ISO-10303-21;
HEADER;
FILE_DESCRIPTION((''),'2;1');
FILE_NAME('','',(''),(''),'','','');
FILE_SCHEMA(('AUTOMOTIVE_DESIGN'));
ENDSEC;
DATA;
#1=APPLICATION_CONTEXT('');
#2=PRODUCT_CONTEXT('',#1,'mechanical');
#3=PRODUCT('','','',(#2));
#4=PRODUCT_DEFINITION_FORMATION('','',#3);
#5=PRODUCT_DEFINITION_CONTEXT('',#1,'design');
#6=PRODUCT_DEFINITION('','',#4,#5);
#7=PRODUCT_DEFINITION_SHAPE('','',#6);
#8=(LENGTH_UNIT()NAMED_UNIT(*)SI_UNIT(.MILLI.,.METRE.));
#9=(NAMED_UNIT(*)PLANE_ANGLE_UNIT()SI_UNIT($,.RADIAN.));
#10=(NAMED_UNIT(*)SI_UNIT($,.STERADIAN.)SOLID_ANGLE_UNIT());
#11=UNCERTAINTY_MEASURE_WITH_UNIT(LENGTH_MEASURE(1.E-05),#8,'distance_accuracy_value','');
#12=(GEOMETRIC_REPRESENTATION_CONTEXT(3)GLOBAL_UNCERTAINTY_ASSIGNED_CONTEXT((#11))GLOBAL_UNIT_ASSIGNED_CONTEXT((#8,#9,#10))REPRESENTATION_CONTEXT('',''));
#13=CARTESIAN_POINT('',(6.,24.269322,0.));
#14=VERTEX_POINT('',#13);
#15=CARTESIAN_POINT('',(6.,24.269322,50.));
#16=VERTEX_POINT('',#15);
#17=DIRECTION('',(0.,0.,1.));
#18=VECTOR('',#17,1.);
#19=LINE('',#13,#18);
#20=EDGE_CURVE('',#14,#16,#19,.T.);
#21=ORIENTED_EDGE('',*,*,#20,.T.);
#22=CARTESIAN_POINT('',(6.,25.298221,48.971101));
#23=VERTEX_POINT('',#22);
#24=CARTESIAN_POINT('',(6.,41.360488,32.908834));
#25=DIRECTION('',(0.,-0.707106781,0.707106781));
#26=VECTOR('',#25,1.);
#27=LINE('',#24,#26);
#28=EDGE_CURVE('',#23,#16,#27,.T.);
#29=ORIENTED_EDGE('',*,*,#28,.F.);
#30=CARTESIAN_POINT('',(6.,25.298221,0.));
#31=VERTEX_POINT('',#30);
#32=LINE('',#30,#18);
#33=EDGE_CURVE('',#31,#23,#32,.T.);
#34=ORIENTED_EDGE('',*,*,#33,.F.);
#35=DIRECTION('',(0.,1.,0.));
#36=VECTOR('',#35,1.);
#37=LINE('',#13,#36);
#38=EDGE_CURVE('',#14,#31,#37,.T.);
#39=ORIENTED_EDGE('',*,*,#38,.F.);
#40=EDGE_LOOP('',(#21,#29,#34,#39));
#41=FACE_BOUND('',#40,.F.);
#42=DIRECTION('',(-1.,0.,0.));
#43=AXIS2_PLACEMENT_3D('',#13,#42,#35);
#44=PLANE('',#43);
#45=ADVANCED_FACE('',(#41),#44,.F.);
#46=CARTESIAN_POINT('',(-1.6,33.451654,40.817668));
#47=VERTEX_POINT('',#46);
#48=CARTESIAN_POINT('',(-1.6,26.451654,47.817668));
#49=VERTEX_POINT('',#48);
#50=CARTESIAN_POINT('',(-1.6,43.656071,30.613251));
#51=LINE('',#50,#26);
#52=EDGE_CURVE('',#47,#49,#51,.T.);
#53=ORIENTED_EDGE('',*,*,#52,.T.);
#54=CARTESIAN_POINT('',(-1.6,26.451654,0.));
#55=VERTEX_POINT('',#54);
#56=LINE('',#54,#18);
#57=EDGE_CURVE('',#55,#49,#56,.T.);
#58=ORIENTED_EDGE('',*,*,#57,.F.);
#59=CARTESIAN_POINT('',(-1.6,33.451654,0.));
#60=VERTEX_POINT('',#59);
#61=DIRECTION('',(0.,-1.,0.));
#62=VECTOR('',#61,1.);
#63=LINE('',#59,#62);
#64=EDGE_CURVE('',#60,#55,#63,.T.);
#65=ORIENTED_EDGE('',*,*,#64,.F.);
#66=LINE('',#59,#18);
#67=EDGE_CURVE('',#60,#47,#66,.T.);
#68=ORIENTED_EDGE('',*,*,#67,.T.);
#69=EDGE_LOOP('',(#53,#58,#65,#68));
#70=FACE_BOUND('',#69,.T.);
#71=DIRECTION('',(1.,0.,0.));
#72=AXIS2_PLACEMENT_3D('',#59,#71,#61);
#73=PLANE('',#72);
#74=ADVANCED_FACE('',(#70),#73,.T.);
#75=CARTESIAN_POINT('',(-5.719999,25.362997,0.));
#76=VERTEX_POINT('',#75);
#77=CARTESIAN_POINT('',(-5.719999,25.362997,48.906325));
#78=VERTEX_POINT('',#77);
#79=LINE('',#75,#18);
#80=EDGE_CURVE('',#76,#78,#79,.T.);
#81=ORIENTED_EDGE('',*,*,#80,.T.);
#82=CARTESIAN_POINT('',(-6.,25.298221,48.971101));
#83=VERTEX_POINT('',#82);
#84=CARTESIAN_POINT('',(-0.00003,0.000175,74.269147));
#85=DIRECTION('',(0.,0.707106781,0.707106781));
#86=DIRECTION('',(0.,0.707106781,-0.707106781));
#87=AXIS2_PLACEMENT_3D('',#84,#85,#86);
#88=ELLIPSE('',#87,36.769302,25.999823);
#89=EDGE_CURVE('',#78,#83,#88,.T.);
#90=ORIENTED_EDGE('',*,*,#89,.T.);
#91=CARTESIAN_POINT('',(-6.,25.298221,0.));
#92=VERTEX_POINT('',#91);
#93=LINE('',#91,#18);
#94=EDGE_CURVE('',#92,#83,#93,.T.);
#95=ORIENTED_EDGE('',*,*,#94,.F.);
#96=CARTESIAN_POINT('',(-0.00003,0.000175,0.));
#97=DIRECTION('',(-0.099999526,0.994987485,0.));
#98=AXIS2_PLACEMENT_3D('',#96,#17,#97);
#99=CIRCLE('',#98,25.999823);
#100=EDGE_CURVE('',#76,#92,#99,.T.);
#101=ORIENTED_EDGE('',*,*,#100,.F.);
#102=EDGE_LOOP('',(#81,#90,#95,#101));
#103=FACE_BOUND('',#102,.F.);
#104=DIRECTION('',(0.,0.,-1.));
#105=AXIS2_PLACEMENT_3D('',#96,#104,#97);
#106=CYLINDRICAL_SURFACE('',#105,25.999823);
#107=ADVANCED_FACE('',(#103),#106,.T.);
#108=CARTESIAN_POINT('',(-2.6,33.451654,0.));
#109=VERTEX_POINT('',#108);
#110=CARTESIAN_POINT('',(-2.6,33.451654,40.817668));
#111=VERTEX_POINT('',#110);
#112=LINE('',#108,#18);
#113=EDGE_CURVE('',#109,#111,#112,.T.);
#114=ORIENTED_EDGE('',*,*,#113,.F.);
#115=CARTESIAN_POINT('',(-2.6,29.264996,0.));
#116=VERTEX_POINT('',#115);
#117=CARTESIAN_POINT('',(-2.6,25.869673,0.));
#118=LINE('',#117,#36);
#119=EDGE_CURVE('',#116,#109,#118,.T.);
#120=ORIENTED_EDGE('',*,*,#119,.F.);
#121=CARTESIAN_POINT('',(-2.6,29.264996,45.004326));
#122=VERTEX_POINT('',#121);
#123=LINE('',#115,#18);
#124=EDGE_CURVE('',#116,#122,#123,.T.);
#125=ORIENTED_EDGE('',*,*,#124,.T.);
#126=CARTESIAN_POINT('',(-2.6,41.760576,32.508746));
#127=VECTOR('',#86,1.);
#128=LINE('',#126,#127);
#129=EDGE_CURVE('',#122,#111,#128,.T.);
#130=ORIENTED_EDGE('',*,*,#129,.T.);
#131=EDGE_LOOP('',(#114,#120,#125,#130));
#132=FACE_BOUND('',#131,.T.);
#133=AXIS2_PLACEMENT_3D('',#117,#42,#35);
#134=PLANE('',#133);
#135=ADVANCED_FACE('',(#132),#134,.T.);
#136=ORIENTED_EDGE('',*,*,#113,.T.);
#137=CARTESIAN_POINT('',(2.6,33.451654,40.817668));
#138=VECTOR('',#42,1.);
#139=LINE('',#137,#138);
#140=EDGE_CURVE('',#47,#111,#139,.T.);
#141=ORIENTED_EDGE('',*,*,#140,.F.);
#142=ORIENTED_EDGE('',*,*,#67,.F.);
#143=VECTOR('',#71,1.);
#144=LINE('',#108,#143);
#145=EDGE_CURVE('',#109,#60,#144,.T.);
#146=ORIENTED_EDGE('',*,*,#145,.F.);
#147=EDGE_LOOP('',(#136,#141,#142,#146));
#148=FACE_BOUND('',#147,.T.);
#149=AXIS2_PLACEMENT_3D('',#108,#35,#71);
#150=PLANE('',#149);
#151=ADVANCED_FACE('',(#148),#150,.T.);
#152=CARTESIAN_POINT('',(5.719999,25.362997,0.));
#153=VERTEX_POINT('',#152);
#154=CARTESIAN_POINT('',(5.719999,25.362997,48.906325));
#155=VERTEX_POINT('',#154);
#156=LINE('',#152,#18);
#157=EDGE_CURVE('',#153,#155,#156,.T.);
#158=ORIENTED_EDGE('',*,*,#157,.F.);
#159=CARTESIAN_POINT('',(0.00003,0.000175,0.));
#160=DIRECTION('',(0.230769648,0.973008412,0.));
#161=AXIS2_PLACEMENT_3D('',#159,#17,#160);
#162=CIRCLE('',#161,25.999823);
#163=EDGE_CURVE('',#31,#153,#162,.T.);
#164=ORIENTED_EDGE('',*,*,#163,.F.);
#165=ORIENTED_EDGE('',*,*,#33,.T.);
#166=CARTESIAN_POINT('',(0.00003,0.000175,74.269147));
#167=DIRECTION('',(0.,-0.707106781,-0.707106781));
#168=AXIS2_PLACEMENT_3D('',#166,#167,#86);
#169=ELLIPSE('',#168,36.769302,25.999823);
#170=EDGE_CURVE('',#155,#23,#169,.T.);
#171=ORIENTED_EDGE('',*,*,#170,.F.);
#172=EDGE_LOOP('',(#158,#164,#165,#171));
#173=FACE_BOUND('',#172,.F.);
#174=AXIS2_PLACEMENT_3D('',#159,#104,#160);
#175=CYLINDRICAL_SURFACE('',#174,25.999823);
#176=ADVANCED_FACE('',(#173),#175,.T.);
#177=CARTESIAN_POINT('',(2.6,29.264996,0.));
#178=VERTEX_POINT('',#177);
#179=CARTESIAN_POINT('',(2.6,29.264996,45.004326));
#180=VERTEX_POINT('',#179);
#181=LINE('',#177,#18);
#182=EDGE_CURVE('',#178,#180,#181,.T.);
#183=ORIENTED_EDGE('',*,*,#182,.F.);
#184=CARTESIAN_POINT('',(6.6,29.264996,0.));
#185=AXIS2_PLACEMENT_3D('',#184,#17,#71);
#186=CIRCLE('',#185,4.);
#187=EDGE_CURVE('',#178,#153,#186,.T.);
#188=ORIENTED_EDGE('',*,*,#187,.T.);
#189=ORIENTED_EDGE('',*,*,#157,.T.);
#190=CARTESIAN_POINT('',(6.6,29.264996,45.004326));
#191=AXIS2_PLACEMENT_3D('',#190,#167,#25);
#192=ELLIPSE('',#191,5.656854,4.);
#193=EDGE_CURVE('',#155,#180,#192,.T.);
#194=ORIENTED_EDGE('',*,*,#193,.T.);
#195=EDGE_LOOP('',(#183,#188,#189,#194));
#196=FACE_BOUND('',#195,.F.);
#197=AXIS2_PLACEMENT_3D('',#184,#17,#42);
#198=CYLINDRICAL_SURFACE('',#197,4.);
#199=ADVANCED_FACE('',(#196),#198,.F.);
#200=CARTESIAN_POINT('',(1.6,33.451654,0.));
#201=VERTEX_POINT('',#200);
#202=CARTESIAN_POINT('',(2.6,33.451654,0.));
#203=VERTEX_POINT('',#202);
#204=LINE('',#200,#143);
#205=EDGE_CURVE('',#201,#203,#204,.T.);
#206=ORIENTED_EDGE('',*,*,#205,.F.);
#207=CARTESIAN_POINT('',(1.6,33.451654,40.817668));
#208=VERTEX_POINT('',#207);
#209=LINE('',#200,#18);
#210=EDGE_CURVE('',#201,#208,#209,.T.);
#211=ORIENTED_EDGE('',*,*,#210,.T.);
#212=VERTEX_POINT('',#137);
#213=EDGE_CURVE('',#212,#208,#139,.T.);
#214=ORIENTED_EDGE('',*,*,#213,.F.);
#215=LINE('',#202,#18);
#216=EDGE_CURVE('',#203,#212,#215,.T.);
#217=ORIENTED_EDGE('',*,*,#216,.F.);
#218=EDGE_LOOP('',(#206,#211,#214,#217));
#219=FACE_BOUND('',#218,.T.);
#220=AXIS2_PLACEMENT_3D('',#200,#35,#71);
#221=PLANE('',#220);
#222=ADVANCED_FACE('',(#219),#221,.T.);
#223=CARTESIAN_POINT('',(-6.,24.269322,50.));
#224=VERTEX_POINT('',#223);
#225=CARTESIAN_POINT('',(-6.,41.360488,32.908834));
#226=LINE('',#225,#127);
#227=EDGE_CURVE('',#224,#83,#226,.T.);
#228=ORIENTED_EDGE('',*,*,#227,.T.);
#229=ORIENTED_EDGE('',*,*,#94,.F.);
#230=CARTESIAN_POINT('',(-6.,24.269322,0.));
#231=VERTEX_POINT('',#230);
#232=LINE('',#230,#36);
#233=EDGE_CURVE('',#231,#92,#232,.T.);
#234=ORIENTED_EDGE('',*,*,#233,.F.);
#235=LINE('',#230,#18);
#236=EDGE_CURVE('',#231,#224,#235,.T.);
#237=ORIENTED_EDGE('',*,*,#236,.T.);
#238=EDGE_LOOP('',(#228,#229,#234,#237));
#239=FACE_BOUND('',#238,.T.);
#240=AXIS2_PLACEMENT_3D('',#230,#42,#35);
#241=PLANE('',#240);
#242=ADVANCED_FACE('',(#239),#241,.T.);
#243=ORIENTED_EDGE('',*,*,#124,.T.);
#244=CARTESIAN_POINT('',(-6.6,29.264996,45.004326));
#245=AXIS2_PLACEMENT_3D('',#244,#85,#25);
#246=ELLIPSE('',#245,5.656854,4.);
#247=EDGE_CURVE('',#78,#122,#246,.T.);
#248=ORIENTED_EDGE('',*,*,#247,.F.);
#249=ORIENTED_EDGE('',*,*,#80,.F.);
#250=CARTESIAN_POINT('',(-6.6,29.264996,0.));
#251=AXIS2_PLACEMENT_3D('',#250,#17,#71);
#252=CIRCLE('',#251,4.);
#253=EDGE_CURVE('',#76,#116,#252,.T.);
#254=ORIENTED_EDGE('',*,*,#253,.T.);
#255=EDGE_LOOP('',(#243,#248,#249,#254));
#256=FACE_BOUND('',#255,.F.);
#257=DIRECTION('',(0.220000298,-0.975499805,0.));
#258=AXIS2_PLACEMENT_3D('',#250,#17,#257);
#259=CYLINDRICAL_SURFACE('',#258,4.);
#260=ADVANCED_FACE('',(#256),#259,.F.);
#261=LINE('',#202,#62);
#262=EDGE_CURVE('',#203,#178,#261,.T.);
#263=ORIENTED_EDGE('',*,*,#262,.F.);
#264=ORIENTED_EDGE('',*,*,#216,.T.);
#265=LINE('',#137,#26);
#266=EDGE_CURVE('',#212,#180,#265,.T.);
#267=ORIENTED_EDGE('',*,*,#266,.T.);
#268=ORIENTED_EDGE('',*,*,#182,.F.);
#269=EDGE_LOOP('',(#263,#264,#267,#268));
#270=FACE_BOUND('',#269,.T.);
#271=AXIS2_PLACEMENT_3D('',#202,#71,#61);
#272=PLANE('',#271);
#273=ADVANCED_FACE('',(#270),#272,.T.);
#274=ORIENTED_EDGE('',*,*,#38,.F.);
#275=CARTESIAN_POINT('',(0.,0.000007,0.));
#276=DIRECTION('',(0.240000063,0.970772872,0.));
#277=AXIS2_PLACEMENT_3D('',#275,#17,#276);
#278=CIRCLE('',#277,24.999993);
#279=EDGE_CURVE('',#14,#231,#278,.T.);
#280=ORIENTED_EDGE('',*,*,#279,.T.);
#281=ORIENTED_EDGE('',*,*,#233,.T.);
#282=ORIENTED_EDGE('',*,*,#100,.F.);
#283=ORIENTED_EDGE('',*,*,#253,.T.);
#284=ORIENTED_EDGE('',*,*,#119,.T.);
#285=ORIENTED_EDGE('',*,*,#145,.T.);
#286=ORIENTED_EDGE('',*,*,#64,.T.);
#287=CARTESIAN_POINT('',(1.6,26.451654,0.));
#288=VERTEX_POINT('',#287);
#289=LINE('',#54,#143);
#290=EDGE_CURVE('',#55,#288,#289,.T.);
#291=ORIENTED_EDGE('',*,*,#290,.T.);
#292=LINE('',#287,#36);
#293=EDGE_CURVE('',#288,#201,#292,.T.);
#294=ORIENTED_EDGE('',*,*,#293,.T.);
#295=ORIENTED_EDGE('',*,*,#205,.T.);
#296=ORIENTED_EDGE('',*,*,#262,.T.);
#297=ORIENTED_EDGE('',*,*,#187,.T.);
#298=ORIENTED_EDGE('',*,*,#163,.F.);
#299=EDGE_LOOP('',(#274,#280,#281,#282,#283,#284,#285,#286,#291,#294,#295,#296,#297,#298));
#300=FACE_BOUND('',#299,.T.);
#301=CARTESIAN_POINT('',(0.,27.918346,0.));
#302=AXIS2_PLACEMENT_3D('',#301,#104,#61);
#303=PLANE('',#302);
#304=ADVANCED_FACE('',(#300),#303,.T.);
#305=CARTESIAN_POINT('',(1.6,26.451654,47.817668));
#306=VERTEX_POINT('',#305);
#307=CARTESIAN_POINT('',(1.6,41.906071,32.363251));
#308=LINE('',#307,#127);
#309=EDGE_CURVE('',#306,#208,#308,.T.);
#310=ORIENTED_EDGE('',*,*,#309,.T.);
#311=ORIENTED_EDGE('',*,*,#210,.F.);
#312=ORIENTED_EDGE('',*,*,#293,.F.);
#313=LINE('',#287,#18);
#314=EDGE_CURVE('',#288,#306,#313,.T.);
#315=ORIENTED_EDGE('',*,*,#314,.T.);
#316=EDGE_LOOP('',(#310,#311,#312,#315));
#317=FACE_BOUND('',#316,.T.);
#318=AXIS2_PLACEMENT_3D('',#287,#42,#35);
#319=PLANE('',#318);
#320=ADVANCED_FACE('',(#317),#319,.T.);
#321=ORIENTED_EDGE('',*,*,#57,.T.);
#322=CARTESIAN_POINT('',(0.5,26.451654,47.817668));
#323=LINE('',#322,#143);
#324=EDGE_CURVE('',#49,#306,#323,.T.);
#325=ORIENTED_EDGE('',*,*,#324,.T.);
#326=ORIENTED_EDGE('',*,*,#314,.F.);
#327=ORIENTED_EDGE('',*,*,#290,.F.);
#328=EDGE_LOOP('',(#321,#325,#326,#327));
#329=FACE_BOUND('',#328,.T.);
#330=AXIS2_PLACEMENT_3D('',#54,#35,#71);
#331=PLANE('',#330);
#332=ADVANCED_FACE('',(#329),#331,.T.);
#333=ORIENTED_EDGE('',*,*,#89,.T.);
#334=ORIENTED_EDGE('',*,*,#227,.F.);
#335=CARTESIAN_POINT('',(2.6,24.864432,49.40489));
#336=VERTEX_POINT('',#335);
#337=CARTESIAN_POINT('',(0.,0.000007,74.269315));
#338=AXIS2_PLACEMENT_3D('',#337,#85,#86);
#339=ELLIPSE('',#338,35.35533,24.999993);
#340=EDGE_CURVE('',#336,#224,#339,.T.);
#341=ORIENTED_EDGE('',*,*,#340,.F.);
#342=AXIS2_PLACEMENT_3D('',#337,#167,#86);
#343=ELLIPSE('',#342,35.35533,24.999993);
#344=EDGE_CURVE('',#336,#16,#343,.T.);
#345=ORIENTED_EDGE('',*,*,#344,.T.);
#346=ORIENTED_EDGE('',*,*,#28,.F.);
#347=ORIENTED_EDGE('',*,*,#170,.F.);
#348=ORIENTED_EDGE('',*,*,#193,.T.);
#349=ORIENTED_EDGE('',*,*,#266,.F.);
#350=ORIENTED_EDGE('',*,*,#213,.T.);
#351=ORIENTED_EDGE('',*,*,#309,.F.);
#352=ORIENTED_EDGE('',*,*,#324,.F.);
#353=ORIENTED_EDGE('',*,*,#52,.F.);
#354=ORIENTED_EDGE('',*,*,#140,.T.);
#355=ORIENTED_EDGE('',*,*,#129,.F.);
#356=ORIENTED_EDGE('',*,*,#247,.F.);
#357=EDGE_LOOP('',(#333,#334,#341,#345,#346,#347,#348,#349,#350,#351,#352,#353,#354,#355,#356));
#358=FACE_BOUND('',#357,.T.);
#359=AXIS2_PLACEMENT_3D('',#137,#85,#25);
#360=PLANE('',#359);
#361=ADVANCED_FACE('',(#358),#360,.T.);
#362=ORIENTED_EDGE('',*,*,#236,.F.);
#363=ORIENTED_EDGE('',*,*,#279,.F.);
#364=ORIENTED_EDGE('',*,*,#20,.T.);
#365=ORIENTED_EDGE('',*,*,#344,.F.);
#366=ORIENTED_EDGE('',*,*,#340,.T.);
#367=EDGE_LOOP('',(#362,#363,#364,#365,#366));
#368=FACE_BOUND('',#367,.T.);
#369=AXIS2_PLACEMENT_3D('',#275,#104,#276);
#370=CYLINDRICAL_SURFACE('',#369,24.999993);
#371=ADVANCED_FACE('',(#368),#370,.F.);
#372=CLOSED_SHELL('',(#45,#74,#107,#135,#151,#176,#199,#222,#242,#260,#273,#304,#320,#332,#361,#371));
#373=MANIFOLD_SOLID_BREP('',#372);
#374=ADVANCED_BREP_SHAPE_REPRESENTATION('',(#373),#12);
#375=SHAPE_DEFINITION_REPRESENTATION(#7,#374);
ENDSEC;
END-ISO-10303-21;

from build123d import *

# Parameters (mm, degrees)
PAD002_DEPTH            = 50
FILLET001_R             = 4
POCKET001_DEPTH         = 8.601
POCKET001_DEPTH_BACK    = 3.401
BODY003_PLACEMENT_ANGLE = 90


with BuildPart() as part:
    # Sketch004 → Pad002 (new body)
    with BuildSketch(Plane.XY):
        with BuildLine():
            ThreePointArc((24.269322, -6), (25, 0), (24.269322, 6))
            Line((24.269322, 6), (25.298221, 6))
            ThreePointArc((25.869673, 2.6), (25.640366, 4.309482), (25.298221, 6))
            Line((25.869673, 2.6), (33.451654, 2.6))
            Line((33.451654, 2.6), (33.451654, 1.6))
            Line((33.451654, 1.6), (26.451654, 1.6))
            Line((26.451654, 1.6), (26.451654, -1.6))
            Line((26.451654, -1.6), (33.451654, -1.6))
            Line((33.451654, -1.6), (33.451654, -2.6))
            Line((33.451654, -2.6), (25.869673, -2.6))
            ThreePointArc((25.298221, -6), (25.640366, -4.309482), (25.869673, -2.6))
            Line((24.269322, -6), (25.298221, -6))
        make_face()
    extrude(amount=PAD002_DEPTH)

    # Fillet001
    fillet001_edges = [part.edges().sort_by_distance(p)[0] for p in [
        (25.869673, -2.6, 25),
        (25.869673, 2.6, 25),
    ]]
    fillet(fillet001_edges, radius=FILLET001_R)

    # Sketch005 (on Face15 of Fillet001) → Pocket001 (cut, two sides)
    with BuildSketch(Plane.XZ.offset(2.6)) as pocket001_sk:
        Polygon((33.451654, 50), (33.451654, 40.817668), (24.269322, 50), align=None)
    extrude(amount=-POCKET001_DEPTH, mode=Mode.SUBTRACT)
    extrude(pocket001_sk.sketch, amount=POCKET001_DEPTH_BACK, mode=Mode.SUBTRACT)


with BuildPart() as part_1:
    # Body003 placement: moved
    add(part.part.rotate(Axis((0, 0, 0), (0, 0, 1)), BODY003_PLACEMENT_ANGLE))


solid = part_1.part
